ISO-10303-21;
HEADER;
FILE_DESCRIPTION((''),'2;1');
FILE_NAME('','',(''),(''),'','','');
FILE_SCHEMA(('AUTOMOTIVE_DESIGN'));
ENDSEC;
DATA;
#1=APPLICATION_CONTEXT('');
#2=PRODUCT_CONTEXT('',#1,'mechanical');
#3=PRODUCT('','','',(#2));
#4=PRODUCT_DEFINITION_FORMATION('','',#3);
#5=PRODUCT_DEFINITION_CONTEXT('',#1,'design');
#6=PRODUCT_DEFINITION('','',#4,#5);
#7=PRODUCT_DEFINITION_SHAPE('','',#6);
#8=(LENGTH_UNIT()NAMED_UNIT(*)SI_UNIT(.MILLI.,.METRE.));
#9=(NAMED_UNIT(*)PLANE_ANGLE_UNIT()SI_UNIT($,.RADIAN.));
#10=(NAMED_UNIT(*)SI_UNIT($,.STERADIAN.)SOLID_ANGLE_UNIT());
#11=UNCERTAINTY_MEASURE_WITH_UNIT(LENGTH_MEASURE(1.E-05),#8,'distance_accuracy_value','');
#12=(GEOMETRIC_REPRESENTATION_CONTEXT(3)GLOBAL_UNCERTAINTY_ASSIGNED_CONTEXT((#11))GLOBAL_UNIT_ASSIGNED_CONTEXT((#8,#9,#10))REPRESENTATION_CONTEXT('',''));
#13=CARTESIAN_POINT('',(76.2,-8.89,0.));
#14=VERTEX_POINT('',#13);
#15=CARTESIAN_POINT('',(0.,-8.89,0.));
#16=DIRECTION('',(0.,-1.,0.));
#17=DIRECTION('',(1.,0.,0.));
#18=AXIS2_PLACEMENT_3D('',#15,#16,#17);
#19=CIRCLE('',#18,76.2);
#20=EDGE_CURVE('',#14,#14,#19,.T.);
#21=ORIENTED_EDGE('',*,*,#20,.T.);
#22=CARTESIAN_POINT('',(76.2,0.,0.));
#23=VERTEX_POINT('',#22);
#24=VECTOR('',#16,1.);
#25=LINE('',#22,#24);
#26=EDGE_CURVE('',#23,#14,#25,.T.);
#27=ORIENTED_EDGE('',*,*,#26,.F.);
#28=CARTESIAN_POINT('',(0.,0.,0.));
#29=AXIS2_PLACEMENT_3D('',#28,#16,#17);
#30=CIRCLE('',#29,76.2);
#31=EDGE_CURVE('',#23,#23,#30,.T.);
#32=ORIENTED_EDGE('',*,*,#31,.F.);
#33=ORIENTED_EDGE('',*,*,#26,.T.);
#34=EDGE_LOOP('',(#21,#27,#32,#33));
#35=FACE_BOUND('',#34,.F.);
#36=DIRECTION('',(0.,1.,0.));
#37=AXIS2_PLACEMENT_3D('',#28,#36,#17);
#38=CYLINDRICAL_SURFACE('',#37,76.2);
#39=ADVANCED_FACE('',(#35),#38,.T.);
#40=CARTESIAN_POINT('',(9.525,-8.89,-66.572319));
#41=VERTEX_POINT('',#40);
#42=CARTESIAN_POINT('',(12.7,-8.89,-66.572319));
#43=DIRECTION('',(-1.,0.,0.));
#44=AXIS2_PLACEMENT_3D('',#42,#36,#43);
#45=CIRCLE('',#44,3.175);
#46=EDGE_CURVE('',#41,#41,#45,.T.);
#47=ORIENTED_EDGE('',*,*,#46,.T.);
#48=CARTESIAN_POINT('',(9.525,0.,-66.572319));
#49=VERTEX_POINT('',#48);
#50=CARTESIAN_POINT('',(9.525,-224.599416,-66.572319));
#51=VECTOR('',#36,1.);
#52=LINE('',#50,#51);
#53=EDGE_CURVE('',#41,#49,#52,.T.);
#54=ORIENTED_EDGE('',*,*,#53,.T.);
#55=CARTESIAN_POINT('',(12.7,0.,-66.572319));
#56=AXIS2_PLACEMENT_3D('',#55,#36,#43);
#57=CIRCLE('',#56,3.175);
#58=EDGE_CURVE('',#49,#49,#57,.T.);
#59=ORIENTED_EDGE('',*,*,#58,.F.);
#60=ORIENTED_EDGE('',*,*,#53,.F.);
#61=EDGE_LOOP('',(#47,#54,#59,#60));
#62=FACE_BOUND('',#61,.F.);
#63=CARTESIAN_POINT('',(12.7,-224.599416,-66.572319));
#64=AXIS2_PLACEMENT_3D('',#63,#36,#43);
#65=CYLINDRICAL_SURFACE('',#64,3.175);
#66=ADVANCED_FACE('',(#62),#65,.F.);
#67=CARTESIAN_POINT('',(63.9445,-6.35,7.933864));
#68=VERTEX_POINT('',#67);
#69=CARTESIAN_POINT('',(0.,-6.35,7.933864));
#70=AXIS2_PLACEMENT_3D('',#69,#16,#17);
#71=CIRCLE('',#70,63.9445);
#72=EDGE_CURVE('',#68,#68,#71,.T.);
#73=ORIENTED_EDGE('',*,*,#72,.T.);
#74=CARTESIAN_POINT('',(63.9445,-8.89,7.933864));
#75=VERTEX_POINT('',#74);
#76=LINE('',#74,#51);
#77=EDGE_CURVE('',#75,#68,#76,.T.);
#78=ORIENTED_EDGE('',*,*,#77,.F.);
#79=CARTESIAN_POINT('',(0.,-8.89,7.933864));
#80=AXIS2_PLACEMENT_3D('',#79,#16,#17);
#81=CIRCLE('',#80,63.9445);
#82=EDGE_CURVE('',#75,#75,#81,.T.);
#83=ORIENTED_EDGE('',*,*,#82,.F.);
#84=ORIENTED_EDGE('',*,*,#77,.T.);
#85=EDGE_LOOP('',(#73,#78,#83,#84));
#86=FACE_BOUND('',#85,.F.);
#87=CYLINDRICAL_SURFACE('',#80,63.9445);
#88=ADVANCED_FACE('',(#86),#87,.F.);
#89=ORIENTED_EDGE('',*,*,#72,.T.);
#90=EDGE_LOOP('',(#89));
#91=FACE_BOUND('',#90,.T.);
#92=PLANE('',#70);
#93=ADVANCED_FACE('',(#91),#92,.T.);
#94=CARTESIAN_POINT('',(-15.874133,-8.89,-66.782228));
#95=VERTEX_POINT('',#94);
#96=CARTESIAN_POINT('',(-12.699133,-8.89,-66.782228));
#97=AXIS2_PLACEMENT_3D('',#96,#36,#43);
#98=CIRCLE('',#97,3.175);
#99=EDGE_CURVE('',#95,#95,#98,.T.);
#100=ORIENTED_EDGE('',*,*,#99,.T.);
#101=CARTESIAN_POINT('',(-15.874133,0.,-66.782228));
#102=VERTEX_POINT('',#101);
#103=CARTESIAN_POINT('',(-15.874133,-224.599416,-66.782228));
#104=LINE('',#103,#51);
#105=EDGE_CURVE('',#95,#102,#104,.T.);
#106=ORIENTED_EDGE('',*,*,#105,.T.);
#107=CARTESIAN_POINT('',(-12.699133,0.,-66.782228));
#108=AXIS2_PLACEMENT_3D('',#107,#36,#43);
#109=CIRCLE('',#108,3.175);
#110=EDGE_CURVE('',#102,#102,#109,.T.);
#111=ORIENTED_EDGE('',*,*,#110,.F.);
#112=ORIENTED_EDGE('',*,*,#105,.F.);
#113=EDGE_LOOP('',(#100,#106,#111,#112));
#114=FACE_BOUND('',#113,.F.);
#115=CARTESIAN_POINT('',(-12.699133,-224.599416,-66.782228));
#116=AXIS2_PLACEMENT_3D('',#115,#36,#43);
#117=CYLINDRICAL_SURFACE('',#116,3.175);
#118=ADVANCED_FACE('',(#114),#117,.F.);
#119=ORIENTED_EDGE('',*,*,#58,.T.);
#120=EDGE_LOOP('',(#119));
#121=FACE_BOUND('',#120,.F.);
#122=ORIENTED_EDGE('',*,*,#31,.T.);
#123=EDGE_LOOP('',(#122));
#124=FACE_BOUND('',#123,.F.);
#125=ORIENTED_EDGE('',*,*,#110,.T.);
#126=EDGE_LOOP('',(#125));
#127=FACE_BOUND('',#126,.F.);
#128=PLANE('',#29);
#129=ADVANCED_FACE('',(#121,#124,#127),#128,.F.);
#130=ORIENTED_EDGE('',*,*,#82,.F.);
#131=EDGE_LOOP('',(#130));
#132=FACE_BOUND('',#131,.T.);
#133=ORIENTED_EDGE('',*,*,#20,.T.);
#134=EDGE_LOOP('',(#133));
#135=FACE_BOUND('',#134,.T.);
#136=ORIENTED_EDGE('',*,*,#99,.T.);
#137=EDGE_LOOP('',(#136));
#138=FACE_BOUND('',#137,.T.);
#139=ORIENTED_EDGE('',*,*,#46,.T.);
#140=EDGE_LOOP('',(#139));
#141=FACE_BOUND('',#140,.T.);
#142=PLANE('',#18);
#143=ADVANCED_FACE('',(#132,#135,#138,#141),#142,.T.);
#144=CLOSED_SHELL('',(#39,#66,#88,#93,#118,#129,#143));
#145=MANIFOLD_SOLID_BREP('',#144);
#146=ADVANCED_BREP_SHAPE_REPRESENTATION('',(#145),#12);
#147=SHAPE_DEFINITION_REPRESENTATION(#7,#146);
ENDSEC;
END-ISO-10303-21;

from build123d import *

# Parameters (mm, degrees)
F0_R     = 76.2
F1_DEPTH = 8.89
F2_R     = 63.9445
F3_DEPTH = 2.54
F5_D     = 6.35


with BuildPart() as f1:
    # F0 (on Front) → F1 (new body)
    with BuildSketch(Plane.XZ):
        Circle(F0_R)
    extrude(amount=F1_DEPTH)

    # F2 (on face) → F3 (cut)
    with BuildSketch(Plane.XZ.offset(8.89)):
        with Locations((0, 7.933864)):
            Circle(F2_R)
    extrude(amount=-F3_DEPTH, mode=Mode.SUBTRACT)

    # F5 (through all)
    with Locations(Plane.XZ.offset(8.89)):
        with Locations((-12.699133, -66.782228), (12.7, -66.572319)):
            Hole(F5_D / 2)


solid = f1.part
